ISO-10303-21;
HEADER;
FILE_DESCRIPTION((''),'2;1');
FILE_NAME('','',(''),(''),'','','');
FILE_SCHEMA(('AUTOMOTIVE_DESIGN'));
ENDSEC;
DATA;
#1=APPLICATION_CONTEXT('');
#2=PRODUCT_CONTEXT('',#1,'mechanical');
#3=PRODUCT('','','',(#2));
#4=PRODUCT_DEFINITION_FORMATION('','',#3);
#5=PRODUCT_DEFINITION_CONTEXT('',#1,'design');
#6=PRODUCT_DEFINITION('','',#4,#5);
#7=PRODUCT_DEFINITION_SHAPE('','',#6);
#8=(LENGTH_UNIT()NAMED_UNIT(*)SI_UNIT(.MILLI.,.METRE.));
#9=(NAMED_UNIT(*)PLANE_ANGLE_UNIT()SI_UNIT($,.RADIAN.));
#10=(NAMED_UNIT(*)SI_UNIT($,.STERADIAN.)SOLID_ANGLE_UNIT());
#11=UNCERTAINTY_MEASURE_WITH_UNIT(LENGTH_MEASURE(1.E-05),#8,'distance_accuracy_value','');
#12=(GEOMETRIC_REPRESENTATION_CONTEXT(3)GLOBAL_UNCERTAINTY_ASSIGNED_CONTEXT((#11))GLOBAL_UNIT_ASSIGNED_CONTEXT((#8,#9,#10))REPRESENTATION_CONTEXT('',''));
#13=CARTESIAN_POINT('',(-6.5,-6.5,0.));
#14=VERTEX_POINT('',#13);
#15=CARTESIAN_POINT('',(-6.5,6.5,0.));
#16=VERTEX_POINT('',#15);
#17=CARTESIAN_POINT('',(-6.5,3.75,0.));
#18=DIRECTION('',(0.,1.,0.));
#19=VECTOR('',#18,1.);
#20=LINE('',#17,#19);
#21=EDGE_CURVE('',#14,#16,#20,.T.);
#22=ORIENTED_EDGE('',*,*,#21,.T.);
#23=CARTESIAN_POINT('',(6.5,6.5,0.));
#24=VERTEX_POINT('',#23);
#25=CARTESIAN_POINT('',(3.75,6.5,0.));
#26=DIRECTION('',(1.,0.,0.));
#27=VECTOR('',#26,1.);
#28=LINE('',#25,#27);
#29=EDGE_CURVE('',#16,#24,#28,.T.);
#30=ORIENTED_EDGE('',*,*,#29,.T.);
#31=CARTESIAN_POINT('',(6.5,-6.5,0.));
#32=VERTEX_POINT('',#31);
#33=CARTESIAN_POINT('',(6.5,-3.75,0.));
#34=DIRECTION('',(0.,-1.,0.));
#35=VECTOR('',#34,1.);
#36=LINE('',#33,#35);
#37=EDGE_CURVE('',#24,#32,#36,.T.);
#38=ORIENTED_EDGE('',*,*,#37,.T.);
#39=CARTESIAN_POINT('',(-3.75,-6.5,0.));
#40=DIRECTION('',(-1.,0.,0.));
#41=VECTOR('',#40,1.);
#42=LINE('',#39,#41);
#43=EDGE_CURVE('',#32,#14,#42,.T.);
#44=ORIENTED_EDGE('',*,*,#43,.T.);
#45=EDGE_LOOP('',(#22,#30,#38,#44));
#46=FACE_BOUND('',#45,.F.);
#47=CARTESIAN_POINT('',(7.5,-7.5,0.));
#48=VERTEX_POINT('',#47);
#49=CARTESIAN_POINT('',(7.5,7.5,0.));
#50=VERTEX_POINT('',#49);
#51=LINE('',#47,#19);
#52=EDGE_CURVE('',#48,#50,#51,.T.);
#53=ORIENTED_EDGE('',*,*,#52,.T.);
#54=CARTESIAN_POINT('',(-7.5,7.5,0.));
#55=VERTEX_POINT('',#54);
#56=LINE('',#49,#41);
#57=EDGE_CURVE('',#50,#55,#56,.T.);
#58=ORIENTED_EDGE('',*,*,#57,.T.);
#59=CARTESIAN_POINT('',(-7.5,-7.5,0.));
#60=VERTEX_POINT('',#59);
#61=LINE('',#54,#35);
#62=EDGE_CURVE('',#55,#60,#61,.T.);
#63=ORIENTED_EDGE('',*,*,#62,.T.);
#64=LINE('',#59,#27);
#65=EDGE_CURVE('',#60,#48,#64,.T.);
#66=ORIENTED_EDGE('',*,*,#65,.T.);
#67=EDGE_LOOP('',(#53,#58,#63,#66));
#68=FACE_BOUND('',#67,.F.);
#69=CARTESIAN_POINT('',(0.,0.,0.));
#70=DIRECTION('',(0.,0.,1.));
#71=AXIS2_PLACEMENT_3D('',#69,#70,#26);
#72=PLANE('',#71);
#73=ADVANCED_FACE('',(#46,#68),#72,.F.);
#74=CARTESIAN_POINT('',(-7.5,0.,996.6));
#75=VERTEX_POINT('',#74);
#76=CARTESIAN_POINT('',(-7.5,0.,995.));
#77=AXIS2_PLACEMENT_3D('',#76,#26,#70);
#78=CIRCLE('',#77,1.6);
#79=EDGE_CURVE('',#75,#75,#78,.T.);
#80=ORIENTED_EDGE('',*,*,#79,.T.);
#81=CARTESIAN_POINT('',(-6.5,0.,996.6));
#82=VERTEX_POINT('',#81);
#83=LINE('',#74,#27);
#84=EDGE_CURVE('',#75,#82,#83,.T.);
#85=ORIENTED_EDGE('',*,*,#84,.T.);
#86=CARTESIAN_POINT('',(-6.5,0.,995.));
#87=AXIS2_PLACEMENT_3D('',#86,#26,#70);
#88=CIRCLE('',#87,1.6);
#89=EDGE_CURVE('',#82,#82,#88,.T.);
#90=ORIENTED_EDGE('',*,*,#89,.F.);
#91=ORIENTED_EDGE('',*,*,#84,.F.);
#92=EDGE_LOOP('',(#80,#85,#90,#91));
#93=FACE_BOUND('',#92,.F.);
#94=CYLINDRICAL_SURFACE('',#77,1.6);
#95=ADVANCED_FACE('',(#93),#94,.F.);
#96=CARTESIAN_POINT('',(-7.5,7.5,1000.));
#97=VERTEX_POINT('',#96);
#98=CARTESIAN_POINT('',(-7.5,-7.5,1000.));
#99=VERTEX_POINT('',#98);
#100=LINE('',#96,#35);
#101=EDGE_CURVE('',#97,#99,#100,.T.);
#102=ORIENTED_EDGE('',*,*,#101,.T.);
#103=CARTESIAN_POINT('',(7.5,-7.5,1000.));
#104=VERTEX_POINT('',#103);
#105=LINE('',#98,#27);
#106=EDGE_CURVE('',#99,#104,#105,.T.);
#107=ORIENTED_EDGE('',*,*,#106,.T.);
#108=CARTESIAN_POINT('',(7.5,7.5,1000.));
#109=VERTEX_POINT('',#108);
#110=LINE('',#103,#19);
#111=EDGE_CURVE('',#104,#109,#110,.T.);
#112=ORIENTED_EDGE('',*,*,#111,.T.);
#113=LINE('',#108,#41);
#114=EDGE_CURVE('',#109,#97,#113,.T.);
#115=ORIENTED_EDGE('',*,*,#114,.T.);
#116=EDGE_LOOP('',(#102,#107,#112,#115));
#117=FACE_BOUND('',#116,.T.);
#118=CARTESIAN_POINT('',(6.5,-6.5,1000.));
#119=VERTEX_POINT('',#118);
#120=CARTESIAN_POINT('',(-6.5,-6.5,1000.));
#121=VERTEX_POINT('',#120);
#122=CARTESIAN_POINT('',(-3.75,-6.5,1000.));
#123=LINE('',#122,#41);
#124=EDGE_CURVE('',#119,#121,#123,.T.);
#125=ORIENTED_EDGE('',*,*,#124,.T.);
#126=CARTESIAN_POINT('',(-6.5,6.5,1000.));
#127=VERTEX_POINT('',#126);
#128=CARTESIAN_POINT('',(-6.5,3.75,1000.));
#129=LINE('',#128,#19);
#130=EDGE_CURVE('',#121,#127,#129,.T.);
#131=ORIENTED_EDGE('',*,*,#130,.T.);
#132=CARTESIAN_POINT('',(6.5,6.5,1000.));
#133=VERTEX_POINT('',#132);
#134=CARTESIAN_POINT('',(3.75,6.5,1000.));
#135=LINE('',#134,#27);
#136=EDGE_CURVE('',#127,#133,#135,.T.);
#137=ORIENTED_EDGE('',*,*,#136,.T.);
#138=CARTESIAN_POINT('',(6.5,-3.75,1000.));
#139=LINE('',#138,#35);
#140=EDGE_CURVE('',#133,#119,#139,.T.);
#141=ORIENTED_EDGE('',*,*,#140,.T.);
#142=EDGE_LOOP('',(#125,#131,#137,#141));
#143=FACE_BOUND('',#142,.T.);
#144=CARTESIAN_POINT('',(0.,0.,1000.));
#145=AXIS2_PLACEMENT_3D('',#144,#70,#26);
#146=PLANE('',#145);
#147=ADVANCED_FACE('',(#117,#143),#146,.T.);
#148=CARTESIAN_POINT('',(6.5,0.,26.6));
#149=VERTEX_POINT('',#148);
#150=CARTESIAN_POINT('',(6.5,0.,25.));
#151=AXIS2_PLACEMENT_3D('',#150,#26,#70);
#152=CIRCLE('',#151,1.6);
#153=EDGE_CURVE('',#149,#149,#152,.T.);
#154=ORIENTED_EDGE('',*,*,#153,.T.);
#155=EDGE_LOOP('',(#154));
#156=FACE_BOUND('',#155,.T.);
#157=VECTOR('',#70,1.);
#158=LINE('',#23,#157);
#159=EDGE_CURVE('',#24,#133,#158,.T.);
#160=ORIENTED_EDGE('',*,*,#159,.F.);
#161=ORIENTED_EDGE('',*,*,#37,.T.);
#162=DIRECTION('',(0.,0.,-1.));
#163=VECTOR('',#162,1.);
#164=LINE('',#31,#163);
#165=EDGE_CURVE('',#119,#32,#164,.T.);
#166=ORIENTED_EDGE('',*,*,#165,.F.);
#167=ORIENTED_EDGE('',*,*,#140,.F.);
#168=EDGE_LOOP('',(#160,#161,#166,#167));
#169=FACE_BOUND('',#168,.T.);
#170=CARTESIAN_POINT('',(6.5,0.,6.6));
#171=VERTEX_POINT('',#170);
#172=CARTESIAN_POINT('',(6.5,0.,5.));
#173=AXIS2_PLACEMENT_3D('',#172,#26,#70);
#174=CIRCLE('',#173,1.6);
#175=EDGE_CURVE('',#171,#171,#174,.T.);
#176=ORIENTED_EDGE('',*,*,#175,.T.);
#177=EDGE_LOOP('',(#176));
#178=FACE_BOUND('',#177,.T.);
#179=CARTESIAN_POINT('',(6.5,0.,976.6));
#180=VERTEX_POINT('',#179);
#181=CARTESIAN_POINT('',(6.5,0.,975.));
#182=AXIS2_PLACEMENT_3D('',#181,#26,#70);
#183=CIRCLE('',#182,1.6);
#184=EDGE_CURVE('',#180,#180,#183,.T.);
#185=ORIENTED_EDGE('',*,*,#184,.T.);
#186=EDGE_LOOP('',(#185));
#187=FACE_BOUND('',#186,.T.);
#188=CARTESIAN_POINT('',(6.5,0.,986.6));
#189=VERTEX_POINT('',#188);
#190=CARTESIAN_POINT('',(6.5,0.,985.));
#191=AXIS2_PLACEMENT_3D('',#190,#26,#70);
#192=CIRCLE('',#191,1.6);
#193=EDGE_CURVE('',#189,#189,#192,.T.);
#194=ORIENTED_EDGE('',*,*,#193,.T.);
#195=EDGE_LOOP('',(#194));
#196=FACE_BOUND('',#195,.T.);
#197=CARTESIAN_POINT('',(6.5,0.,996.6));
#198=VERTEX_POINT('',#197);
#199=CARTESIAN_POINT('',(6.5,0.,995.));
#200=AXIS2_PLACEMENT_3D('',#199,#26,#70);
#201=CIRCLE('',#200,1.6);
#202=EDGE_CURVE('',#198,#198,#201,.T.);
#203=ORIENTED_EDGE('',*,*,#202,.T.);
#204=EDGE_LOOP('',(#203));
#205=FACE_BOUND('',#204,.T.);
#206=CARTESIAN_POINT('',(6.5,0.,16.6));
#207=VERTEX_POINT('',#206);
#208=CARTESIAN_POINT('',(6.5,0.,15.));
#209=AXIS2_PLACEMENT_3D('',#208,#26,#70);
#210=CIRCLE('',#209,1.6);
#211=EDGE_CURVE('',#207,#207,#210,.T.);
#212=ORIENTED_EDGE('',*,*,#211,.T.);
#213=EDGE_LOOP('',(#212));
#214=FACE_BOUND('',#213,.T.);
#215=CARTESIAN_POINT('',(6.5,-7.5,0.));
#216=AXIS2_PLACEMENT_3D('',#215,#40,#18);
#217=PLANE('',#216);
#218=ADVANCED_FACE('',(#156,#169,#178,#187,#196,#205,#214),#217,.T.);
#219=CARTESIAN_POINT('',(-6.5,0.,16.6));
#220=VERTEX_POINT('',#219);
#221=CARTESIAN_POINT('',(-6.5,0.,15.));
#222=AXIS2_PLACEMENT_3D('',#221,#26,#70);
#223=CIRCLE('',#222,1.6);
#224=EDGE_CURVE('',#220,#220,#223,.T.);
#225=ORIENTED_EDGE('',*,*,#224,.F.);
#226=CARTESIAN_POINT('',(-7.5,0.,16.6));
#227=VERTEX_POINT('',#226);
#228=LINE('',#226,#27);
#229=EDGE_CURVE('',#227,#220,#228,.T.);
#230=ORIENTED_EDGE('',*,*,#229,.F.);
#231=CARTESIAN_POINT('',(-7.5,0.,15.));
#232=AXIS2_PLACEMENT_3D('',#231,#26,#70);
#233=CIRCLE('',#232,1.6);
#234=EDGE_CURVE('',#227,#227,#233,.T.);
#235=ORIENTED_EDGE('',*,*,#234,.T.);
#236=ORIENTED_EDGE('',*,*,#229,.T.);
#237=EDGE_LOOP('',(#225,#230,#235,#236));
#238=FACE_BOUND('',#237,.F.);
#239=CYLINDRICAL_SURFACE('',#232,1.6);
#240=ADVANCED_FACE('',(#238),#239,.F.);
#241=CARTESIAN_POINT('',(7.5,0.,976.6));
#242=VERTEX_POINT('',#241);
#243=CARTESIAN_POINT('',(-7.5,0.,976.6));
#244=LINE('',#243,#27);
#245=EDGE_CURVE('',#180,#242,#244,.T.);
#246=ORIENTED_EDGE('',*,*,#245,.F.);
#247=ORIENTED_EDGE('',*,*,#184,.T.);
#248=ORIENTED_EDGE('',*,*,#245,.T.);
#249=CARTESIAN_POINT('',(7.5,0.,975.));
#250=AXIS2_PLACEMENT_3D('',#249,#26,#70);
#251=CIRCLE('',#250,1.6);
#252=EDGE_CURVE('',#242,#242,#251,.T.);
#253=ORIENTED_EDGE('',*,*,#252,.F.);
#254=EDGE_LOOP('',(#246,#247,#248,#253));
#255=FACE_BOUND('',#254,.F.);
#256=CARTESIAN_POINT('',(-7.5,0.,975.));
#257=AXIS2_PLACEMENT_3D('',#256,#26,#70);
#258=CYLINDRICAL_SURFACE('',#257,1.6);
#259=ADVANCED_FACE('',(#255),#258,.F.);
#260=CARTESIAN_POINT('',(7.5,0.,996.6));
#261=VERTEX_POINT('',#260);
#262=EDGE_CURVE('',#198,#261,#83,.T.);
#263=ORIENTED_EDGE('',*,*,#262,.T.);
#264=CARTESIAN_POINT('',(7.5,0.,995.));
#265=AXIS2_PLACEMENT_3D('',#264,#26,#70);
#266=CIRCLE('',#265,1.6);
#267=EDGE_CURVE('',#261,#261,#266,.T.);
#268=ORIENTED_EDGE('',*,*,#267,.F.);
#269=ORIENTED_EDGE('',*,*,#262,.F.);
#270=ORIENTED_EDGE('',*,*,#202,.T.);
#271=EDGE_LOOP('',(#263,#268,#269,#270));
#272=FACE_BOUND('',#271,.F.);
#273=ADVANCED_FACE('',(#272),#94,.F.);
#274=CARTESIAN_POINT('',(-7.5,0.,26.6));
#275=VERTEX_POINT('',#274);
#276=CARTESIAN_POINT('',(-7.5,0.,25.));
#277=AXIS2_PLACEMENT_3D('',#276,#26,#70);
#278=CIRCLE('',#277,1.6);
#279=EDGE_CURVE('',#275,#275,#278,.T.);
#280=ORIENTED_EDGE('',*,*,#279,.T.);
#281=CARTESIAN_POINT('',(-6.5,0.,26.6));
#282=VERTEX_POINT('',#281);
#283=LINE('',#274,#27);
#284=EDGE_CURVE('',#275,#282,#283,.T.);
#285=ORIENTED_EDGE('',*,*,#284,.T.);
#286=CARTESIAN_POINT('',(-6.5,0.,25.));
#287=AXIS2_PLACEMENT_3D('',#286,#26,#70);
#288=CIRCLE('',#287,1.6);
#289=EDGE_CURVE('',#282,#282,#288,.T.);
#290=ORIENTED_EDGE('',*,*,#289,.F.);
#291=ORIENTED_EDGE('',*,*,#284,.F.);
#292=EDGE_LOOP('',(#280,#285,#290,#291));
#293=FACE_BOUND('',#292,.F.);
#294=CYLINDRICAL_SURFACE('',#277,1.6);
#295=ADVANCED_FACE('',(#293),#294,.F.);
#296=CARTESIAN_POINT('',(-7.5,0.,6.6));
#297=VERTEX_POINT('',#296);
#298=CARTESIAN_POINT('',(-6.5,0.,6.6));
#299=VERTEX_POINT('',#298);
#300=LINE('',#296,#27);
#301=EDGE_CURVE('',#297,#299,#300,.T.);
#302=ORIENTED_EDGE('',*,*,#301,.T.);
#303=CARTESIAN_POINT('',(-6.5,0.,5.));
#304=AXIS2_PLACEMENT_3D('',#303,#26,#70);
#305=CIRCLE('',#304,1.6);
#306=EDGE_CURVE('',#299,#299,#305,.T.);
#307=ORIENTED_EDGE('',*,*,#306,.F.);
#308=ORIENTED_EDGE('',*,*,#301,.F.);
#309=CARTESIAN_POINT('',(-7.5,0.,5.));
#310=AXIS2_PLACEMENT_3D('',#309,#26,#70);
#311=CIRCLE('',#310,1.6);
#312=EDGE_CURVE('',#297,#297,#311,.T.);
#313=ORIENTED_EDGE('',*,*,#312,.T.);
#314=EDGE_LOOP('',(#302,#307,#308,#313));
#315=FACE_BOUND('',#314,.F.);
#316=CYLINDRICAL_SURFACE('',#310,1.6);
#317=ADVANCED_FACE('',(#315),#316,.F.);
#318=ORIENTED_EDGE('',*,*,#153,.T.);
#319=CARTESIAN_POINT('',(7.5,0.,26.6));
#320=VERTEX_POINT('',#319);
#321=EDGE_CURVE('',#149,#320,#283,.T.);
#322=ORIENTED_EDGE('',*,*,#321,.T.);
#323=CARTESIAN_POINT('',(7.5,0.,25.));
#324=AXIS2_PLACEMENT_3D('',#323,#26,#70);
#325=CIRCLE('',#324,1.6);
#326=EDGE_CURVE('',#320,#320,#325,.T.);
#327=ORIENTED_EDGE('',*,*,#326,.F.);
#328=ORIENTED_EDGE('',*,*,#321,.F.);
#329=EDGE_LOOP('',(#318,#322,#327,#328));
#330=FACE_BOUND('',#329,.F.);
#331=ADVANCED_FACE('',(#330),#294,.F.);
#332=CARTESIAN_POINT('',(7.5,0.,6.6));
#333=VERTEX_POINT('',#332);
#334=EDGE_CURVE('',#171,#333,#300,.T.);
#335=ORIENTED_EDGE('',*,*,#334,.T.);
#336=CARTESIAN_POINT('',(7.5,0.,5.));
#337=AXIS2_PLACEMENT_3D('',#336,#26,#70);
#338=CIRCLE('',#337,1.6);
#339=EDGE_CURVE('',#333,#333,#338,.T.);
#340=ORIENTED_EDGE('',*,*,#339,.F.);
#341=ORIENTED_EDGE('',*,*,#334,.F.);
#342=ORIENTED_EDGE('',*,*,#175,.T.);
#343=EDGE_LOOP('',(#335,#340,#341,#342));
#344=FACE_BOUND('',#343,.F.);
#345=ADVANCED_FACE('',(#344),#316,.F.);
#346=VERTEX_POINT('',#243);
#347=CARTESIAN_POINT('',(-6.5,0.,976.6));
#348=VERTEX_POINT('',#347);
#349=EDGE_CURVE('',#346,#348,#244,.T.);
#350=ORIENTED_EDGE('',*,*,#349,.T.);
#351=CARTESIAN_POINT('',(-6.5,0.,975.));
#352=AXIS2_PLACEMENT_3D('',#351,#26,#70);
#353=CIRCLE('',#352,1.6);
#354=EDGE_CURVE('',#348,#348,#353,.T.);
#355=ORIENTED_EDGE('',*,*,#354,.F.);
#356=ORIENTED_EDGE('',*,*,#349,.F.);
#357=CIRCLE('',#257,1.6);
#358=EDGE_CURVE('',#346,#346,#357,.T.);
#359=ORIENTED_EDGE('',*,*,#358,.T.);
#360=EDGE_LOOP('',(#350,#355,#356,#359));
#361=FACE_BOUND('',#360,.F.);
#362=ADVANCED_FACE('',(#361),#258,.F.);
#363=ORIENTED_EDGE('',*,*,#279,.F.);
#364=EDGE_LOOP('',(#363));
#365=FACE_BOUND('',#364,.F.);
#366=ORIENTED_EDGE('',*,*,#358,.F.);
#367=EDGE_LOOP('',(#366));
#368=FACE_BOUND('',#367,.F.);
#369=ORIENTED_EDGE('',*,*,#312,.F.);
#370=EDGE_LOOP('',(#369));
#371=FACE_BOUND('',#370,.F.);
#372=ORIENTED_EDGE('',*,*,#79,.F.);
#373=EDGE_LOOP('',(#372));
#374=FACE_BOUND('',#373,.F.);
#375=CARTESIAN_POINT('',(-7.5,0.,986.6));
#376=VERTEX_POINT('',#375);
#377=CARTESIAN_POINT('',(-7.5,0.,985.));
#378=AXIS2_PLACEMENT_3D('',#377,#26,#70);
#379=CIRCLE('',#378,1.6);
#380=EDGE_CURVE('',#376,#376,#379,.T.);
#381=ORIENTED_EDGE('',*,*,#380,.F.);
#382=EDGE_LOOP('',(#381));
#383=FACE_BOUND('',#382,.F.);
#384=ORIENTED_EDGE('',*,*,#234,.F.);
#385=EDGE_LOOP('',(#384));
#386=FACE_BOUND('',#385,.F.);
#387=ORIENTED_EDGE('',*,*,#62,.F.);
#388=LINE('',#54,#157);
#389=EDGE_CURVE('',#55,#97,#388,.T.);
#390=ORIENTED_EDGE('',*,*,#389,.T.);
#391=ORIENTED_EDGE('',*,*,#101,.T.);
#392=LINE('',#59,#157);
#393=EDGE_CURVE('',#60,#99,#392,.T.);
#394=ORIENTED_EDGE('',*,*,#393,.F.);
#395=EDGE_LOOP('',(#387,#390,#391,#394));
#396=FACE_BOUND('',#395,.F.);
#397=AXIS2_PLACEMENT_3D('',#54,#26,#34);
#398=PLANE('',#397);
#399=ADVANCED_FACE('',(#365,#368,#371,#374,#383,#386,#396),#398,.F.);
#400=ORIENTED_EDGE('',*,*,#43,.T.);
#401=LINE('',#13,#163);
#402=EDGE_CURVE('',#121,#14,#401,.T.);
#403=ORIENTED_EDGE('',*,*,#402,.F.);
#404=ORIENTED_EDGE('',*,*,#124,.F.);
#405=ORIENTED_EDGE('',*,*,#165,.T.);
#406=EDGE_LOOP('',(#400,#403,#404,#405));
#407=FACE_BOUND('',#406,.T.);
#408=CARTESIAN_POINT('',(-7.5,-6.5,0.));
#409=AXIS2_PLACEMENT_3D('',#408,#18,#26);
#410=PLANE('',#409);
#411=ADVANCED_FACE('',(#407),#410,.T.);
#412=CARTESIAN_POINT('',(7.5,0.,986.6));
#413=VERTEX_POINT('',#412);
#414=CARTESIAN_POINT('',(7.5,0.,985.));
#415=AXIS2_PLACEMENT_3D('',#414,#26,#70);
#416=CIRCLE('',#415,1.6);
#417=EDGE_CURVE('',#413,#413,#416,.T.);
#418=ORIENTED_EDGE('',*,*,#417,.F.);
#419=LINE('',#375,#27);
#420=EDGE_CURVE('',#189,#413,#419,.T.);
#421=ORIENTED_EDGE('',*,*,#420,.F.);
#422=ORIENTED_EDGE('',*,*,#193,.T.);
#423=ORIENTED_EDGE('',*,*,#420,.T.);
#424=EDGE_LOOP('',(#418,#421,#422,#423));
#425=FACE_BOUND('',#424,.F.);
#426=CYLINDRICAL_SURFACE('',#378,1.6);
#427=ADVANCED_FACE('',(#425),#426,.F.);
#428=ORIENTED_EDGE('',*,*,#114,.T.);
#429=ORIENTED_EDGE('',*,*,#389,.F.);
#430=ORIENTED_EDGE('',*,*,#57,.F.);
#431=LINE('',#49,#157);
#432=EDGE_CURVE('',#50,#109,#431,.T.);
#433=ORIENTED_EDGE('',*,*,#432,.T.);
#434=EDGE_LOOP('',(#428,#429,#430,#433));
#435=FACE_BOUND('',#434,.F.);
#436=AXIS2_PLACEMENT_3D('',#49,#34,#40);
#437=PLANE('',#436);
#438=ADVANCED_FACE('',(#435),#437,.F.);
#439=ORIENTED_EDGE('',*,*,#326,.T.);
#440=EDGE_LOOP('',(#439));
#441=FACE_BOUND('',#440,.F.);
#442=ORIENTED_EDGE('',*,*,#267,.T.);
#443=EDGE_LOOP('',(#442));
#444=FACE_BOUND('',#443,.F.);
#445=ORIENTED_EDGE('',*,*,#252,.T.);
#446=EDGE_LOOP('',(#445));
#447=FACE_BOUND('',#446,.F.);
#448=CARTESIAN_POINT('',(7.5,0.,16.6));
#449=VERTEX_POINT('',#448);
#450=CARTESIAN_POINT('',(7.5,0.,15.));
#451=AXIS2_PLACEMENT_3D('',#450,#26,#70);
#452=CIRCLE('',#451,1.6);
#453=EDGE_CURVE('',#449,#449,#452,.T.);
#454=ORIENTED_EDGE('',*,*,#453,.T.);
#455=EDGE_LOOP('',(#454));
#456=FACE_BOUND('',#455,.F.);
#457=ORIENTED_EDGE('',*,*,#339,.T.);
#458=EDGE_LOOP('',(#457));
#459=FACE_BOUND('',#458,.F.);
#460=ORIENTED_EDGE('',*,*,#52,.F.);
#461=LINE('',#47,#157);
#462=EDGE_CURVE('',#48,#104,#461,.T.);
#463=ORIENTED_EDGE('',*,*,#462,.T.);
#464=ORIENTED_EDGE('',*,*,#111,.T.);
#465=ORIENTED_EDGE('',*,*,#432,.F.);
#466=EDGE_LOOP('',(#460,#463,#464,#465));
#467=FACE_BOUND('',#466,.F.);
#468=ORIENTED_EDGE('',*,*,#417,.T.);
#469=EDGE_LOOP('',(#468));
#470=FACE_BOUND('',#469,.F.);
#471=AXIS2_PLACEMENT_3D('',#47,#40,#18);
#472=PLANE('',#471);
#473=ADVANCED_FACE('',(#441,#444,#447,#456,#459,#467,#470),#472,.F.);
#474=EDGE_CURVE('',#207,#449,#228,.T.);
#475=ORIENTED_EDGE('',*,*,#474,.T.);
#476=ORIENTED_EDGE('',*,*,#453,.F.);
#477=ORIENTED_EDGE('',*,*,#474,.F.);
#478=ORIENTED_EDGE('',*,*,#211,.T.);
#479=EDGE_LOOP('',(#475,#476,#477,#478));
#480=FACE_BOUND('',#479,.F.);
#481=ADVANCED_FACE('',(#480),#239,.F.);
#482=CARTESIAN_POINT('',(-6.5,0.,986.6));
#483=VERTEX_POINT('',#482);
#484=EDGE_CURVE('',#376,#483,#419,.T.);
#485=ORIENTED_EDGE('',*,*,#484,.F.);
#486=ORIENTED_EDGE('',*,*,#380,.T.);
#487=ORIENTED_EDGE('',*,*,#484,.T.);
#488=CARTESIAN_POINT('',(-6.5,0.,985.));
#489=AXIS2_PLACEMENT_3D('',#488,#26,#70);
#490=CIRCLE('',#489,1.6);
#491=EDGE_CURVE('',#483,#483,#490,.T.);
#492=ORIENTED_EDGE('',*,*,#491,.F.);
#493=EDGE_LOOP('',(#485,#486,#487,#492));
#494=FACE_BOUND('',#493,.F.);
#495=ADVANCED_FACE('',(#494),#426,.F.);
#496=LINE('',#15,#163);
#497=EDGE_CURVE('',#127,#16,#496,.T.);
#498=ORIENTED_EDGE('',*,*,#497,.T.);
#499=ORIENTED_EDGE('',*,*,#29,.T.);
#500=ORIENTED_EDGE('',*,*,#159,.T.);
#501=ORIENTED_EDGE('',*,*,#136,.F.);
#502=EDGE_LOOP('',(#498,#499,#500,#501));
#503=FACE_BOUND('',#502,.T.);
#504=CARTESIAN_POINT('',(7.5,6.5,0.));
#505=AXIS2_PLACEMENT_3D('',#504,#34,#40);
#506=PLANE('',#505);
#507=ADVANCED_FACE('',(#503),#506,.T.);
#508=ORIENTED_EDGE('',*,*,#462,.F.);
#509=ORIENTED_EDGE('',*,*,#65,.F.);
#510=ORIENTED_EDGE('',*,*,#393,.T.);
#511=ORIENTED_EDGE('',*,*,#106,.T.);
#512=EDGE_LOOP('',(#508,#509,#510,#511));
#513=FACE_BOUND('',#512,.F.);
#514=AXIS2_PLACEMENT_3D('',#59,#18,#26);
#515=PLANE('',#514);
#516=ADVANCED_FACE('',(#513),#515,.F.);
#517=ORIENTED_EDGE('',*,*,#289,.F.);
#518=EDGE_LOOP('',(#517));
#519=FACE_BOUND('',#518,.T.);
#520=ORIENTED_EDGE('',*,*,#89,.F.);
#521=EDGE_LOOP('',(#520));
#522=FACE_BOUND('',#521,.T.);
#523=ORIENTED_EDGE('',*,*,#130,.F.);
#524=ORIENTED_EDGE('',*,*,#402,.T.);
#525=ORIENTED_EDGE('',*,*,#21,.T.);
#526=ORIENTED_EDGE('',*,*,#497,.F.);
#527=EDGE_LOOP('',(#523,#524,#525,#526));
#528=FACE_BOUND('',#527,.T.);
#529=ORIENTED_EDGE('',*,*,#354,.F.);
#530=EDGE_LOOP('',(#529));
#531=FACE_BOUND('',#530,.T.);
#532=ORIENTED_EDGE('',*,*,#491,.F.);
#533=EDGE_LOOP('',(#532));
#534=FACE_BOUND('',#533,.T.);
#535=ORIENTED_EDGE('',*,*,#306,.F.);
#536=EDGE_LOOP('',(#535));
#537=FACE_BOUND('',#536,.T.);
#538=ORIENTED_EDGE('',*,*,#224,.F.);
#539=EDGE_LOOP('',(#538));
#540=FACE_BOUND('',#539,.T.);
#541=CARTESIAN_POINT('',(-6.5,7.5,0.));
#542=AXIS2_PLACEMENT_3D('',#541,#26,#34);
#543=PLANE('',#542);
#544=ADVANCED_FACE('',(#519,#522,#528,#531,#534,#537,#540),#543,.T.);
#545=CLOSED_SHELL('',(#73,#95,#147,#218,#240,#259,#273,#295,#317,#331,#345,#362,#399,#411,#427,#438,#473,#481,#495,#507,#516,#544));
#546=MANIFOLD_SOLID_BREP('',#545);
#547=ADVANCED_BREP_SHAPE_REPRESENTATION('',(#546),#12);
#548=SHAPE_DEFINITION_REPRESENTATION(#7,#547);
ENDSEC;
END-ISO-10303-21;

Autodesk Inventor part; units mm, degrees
ref_plane "YZ Plane" through (0, 0, 0) normal (1, 0, 0) x (0, 1, 0)
ref_plane "XZ Plane" through (0, 0, 0) normal (0, 1, 0) x (-1, 0, 0)
ref_plane "XY Plane" through (0, 0, 0) normal (0, 0, 1) x (1, 0, 0)
sketch "スケッチ1" plane through (0, 0, 0) normal (0, 0, 1) x (1, 0, 0)
  line L0 (7.5, 7.5) -> (-7.5, 7.5)
  line L1 (-7.5, 7.5) -> (-7.5, -7.5)
  line L2 (-7.5, -7.5) -> (7.5, -7.5)
  line L3 (7.5, -7.5) -> (7.5, 7.5)
  line L4 (7.5, 7.5) -> (-7.5, -7.5) construction
  line L5 (-7.5, 7.5) -> (7.5, -7.5) construction
  point P0 (0, 0)
  dimension "d0" = 15
  dimension "d1" = 15
extrude "押し出し1" add sketch "スケッチ1" along normal blind 1000
shell "シェル1" thickness 1 removed faces 2 at (-2.5, 2.5, 0) at (-2.5, 2.5, 1000)
sketch "スケッチ2" plane through (-7.5, -7.5, 0) normal (-1, 0, 0) x (0, 0, 1)
  line L0 (0, 0) -> (0, 15) projected
  line L1 (0, 15) -> (1000, 15) projected
  line L2 (1000, 0) -> (1000, 15) projected
  line L3 (0, 0) -> (1000, 0) projected
  line L4 (1000, 15) -> (1000, 0) projected
  line L5 (0, 15) -> (0, 0) projected
  point P0 (5, 7.5)
  point P1 (15, 7.5)
  point P2 (25, 7.5)
  point P3 (995, 7.5)
  point P4 (985, 7.5)
  point P5 (975, 7.5)
  point P6 (1000, 7.5)
  point P7 (0, 7.5)
  dimension "d5" = 10
  dimension "d6" = 10
  dimension "d9" = 10
  dimension "d10" = 10
  dimension "d18" = 5
  dimension "d19" = 5
hole "穴1" at (-7.5, 0, 5) at (-7.5, 0, 15) at (-7.5, 0, 25) at (-7.5, 0, 995) at (-7.5, 0, 985) at (-7.5, 0, 975) direction (1, 0, 0) diameter 3.2 end through all
equation "\"d6\" = d5"
equation "\"d10\" = d9"
properties part number "□15"
